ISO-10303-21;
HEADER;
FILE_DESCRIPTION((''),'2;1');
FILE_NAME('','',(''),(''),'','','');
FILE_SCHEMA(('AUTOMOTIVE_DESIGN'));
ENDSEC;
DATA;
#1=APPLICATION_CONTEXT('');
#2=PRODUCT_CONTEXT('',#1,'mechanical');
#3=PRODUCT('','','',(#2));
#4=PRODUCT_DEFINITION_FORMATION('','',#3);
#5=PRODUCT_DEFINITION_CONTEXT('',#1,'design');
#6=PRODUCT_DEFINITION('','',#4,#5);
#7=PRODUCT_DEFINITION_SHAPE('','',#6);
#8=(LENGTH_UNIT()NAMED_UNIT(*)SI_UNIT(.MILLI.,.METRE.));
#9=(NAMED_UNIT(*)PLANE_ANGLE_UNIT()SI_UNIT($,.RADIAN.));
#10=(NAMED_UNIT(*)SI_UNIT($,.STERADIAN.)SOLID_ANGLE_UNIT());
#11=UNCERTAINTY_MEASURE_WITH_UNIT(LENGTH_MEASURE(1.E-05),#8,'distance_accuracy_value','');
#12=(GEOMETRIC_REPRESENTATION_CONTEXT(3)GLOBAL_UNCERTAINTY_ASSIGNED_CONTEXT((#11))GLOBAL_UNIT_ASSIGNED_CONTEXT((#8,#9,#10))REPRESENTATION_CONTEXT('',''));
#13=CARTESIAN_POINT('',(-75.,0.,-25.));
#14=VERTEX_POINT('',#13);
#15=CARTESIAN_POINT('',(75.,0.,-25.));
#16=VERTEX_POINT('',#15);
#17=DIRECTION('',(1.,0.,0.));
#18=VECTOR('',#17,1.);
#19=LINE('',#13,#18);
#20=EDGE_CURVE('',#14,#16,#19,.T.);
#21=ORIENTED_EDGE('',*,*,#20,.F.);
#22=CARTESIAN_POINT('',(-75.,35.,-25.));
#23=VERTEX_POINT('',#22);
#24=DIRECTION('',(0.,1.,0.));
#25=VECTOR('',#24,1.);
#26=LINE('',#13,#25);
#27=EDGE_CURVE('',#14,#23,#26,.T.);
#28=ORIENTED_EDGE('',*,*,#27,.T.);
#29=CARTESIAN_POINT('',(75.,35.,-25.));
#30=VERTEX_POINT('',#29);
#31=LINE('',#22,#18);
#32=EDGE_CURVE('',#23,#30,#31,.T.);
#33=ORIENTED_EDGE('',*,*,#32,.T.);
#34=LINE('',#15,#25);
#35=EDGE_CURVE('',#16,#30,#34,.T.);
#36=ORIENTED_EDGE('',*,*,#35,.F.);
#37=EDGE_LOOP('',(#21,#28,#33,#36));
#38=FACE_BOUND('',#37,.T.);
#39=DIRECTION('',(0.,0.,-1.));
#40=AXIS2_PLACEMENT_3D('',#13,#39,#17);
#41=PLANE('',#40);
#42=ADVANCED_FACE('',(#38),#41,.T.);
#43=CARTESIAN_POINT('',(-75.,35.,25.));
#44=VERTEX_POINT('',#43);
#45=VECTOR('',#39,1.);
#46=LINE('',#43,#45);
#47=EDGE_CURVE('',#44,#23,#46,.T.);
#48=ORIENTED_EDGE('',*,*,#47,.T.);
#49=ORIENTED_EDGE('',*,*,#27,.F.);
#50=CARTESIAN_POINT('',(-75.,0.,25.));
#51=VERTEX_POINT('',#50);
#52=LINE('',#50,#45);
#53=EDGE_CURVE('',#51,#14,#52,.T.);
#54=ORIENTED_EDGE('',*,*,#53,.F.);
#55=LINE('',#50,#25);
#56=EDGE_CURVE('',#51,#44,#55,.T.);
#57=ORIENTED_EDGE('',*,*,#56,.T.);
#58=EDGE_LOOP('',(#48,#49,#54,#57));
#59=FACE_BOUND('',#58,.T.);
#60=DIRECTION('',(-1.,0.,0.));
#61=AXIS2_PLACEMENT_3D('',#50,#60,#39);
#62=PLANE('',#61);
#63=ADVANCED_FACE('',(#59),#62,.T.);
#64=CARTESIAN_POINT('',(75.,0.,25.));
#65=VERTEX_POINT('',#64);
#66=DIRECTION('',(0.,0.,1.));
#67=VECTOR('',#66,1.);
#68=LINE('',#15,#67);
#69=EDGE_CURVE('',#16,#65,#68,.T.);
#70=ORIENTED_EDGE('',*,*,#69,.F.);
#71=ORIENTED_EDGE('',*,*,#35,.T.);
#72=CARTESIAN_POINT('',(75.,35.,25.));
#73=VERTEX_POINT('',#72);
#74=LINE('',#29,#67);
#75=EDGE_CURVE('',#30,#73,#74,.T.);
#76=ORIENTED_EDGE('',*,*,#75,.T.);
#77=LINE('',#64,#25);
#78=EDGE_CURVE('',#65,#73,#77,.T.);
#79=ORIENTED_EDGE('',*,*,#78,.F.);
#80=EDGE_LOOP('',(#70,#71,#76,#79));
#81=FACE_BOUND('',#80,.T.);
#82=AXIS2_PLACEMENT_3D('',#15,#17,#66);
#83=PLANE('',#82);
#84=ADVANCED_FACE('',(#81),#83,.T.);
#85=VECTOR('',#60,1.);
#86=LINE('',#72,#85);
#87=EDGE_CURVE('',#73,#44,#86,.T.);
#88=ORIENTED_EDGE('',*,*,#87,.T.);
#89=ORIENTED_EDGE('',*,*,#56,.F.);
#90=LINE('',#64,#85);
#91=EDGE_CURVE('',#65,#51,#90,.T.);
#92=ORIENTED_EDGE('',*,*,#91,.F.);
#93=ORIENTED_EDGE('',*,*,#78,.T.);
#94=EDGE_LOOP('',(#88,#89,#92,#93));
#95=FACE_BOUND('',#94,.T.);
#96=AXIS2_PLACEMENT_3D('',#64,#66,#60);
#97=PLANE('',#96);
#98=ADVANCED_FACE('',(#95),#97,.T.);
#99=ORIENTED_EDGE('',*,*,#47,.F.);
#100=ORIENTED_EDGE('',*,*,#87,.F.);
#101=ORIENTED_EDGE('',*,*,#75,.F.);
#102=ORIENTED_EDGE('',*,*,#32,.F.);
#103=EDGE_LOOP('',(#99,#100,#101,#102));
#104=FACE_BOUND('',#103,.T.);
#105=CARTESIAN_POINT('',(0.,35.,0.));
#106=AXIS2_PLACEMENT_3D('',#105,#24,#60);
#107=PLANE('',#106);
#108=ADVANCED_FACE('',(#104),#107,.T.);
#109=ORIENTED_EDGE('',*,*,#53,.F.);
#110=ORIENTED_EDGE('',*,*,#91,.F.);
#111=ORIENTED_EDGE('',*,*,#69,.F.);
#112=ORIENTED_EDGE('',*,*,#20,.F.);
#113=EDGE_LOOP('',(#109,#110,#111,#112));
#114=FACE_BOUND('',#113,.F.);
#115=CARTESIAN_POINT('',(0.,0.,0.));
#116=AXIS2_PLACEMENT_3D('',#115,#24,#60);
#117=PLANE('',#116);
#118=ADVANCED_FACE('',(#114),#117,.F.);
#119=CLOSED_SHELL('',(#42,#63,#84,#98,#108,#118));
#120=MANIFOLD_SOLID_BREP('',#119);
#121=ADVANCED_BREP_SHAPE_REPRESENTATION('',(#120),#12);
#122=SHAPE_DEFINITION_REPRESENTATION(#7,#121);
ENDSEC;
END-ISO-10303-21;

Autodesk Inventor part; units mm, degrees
ref_plane "YZ Plane" through (0, 0, 0) normal (1, 0, 0) x (0, 1, 0)
ref_plane "XZ Plane" through (0, 0, 0) normal (0, 1, 0) x (-1, 0, 0)
ref_plane "XY Plane" through (0, 0, 0) normal (0, 0, 1) x (1, 0, 0)
sketch "Sketch1" plane through (0, 0, 0) normal (0, 1, 0) x (-1, 0, 0)
  line L0 (-75, 25) -> (75, 25)
  line L1 (75, 25) -> (75, -25)
  line L2 (75, -25) -> (-75, -25)
  line L3 (-75, -25) -> (-75, 25)
  line L4 (-75, 25) -> (75, -25) construction
  line L5 (75, 25) -> (-75, -25) construction
  point P0 (0, 0)
  dimension "d0" = 150
  dimension "d1" = 50
extrude "Extrusion1" add sketch "Sketch1" along normal blind 35
properties part number "Battery for UAV"
